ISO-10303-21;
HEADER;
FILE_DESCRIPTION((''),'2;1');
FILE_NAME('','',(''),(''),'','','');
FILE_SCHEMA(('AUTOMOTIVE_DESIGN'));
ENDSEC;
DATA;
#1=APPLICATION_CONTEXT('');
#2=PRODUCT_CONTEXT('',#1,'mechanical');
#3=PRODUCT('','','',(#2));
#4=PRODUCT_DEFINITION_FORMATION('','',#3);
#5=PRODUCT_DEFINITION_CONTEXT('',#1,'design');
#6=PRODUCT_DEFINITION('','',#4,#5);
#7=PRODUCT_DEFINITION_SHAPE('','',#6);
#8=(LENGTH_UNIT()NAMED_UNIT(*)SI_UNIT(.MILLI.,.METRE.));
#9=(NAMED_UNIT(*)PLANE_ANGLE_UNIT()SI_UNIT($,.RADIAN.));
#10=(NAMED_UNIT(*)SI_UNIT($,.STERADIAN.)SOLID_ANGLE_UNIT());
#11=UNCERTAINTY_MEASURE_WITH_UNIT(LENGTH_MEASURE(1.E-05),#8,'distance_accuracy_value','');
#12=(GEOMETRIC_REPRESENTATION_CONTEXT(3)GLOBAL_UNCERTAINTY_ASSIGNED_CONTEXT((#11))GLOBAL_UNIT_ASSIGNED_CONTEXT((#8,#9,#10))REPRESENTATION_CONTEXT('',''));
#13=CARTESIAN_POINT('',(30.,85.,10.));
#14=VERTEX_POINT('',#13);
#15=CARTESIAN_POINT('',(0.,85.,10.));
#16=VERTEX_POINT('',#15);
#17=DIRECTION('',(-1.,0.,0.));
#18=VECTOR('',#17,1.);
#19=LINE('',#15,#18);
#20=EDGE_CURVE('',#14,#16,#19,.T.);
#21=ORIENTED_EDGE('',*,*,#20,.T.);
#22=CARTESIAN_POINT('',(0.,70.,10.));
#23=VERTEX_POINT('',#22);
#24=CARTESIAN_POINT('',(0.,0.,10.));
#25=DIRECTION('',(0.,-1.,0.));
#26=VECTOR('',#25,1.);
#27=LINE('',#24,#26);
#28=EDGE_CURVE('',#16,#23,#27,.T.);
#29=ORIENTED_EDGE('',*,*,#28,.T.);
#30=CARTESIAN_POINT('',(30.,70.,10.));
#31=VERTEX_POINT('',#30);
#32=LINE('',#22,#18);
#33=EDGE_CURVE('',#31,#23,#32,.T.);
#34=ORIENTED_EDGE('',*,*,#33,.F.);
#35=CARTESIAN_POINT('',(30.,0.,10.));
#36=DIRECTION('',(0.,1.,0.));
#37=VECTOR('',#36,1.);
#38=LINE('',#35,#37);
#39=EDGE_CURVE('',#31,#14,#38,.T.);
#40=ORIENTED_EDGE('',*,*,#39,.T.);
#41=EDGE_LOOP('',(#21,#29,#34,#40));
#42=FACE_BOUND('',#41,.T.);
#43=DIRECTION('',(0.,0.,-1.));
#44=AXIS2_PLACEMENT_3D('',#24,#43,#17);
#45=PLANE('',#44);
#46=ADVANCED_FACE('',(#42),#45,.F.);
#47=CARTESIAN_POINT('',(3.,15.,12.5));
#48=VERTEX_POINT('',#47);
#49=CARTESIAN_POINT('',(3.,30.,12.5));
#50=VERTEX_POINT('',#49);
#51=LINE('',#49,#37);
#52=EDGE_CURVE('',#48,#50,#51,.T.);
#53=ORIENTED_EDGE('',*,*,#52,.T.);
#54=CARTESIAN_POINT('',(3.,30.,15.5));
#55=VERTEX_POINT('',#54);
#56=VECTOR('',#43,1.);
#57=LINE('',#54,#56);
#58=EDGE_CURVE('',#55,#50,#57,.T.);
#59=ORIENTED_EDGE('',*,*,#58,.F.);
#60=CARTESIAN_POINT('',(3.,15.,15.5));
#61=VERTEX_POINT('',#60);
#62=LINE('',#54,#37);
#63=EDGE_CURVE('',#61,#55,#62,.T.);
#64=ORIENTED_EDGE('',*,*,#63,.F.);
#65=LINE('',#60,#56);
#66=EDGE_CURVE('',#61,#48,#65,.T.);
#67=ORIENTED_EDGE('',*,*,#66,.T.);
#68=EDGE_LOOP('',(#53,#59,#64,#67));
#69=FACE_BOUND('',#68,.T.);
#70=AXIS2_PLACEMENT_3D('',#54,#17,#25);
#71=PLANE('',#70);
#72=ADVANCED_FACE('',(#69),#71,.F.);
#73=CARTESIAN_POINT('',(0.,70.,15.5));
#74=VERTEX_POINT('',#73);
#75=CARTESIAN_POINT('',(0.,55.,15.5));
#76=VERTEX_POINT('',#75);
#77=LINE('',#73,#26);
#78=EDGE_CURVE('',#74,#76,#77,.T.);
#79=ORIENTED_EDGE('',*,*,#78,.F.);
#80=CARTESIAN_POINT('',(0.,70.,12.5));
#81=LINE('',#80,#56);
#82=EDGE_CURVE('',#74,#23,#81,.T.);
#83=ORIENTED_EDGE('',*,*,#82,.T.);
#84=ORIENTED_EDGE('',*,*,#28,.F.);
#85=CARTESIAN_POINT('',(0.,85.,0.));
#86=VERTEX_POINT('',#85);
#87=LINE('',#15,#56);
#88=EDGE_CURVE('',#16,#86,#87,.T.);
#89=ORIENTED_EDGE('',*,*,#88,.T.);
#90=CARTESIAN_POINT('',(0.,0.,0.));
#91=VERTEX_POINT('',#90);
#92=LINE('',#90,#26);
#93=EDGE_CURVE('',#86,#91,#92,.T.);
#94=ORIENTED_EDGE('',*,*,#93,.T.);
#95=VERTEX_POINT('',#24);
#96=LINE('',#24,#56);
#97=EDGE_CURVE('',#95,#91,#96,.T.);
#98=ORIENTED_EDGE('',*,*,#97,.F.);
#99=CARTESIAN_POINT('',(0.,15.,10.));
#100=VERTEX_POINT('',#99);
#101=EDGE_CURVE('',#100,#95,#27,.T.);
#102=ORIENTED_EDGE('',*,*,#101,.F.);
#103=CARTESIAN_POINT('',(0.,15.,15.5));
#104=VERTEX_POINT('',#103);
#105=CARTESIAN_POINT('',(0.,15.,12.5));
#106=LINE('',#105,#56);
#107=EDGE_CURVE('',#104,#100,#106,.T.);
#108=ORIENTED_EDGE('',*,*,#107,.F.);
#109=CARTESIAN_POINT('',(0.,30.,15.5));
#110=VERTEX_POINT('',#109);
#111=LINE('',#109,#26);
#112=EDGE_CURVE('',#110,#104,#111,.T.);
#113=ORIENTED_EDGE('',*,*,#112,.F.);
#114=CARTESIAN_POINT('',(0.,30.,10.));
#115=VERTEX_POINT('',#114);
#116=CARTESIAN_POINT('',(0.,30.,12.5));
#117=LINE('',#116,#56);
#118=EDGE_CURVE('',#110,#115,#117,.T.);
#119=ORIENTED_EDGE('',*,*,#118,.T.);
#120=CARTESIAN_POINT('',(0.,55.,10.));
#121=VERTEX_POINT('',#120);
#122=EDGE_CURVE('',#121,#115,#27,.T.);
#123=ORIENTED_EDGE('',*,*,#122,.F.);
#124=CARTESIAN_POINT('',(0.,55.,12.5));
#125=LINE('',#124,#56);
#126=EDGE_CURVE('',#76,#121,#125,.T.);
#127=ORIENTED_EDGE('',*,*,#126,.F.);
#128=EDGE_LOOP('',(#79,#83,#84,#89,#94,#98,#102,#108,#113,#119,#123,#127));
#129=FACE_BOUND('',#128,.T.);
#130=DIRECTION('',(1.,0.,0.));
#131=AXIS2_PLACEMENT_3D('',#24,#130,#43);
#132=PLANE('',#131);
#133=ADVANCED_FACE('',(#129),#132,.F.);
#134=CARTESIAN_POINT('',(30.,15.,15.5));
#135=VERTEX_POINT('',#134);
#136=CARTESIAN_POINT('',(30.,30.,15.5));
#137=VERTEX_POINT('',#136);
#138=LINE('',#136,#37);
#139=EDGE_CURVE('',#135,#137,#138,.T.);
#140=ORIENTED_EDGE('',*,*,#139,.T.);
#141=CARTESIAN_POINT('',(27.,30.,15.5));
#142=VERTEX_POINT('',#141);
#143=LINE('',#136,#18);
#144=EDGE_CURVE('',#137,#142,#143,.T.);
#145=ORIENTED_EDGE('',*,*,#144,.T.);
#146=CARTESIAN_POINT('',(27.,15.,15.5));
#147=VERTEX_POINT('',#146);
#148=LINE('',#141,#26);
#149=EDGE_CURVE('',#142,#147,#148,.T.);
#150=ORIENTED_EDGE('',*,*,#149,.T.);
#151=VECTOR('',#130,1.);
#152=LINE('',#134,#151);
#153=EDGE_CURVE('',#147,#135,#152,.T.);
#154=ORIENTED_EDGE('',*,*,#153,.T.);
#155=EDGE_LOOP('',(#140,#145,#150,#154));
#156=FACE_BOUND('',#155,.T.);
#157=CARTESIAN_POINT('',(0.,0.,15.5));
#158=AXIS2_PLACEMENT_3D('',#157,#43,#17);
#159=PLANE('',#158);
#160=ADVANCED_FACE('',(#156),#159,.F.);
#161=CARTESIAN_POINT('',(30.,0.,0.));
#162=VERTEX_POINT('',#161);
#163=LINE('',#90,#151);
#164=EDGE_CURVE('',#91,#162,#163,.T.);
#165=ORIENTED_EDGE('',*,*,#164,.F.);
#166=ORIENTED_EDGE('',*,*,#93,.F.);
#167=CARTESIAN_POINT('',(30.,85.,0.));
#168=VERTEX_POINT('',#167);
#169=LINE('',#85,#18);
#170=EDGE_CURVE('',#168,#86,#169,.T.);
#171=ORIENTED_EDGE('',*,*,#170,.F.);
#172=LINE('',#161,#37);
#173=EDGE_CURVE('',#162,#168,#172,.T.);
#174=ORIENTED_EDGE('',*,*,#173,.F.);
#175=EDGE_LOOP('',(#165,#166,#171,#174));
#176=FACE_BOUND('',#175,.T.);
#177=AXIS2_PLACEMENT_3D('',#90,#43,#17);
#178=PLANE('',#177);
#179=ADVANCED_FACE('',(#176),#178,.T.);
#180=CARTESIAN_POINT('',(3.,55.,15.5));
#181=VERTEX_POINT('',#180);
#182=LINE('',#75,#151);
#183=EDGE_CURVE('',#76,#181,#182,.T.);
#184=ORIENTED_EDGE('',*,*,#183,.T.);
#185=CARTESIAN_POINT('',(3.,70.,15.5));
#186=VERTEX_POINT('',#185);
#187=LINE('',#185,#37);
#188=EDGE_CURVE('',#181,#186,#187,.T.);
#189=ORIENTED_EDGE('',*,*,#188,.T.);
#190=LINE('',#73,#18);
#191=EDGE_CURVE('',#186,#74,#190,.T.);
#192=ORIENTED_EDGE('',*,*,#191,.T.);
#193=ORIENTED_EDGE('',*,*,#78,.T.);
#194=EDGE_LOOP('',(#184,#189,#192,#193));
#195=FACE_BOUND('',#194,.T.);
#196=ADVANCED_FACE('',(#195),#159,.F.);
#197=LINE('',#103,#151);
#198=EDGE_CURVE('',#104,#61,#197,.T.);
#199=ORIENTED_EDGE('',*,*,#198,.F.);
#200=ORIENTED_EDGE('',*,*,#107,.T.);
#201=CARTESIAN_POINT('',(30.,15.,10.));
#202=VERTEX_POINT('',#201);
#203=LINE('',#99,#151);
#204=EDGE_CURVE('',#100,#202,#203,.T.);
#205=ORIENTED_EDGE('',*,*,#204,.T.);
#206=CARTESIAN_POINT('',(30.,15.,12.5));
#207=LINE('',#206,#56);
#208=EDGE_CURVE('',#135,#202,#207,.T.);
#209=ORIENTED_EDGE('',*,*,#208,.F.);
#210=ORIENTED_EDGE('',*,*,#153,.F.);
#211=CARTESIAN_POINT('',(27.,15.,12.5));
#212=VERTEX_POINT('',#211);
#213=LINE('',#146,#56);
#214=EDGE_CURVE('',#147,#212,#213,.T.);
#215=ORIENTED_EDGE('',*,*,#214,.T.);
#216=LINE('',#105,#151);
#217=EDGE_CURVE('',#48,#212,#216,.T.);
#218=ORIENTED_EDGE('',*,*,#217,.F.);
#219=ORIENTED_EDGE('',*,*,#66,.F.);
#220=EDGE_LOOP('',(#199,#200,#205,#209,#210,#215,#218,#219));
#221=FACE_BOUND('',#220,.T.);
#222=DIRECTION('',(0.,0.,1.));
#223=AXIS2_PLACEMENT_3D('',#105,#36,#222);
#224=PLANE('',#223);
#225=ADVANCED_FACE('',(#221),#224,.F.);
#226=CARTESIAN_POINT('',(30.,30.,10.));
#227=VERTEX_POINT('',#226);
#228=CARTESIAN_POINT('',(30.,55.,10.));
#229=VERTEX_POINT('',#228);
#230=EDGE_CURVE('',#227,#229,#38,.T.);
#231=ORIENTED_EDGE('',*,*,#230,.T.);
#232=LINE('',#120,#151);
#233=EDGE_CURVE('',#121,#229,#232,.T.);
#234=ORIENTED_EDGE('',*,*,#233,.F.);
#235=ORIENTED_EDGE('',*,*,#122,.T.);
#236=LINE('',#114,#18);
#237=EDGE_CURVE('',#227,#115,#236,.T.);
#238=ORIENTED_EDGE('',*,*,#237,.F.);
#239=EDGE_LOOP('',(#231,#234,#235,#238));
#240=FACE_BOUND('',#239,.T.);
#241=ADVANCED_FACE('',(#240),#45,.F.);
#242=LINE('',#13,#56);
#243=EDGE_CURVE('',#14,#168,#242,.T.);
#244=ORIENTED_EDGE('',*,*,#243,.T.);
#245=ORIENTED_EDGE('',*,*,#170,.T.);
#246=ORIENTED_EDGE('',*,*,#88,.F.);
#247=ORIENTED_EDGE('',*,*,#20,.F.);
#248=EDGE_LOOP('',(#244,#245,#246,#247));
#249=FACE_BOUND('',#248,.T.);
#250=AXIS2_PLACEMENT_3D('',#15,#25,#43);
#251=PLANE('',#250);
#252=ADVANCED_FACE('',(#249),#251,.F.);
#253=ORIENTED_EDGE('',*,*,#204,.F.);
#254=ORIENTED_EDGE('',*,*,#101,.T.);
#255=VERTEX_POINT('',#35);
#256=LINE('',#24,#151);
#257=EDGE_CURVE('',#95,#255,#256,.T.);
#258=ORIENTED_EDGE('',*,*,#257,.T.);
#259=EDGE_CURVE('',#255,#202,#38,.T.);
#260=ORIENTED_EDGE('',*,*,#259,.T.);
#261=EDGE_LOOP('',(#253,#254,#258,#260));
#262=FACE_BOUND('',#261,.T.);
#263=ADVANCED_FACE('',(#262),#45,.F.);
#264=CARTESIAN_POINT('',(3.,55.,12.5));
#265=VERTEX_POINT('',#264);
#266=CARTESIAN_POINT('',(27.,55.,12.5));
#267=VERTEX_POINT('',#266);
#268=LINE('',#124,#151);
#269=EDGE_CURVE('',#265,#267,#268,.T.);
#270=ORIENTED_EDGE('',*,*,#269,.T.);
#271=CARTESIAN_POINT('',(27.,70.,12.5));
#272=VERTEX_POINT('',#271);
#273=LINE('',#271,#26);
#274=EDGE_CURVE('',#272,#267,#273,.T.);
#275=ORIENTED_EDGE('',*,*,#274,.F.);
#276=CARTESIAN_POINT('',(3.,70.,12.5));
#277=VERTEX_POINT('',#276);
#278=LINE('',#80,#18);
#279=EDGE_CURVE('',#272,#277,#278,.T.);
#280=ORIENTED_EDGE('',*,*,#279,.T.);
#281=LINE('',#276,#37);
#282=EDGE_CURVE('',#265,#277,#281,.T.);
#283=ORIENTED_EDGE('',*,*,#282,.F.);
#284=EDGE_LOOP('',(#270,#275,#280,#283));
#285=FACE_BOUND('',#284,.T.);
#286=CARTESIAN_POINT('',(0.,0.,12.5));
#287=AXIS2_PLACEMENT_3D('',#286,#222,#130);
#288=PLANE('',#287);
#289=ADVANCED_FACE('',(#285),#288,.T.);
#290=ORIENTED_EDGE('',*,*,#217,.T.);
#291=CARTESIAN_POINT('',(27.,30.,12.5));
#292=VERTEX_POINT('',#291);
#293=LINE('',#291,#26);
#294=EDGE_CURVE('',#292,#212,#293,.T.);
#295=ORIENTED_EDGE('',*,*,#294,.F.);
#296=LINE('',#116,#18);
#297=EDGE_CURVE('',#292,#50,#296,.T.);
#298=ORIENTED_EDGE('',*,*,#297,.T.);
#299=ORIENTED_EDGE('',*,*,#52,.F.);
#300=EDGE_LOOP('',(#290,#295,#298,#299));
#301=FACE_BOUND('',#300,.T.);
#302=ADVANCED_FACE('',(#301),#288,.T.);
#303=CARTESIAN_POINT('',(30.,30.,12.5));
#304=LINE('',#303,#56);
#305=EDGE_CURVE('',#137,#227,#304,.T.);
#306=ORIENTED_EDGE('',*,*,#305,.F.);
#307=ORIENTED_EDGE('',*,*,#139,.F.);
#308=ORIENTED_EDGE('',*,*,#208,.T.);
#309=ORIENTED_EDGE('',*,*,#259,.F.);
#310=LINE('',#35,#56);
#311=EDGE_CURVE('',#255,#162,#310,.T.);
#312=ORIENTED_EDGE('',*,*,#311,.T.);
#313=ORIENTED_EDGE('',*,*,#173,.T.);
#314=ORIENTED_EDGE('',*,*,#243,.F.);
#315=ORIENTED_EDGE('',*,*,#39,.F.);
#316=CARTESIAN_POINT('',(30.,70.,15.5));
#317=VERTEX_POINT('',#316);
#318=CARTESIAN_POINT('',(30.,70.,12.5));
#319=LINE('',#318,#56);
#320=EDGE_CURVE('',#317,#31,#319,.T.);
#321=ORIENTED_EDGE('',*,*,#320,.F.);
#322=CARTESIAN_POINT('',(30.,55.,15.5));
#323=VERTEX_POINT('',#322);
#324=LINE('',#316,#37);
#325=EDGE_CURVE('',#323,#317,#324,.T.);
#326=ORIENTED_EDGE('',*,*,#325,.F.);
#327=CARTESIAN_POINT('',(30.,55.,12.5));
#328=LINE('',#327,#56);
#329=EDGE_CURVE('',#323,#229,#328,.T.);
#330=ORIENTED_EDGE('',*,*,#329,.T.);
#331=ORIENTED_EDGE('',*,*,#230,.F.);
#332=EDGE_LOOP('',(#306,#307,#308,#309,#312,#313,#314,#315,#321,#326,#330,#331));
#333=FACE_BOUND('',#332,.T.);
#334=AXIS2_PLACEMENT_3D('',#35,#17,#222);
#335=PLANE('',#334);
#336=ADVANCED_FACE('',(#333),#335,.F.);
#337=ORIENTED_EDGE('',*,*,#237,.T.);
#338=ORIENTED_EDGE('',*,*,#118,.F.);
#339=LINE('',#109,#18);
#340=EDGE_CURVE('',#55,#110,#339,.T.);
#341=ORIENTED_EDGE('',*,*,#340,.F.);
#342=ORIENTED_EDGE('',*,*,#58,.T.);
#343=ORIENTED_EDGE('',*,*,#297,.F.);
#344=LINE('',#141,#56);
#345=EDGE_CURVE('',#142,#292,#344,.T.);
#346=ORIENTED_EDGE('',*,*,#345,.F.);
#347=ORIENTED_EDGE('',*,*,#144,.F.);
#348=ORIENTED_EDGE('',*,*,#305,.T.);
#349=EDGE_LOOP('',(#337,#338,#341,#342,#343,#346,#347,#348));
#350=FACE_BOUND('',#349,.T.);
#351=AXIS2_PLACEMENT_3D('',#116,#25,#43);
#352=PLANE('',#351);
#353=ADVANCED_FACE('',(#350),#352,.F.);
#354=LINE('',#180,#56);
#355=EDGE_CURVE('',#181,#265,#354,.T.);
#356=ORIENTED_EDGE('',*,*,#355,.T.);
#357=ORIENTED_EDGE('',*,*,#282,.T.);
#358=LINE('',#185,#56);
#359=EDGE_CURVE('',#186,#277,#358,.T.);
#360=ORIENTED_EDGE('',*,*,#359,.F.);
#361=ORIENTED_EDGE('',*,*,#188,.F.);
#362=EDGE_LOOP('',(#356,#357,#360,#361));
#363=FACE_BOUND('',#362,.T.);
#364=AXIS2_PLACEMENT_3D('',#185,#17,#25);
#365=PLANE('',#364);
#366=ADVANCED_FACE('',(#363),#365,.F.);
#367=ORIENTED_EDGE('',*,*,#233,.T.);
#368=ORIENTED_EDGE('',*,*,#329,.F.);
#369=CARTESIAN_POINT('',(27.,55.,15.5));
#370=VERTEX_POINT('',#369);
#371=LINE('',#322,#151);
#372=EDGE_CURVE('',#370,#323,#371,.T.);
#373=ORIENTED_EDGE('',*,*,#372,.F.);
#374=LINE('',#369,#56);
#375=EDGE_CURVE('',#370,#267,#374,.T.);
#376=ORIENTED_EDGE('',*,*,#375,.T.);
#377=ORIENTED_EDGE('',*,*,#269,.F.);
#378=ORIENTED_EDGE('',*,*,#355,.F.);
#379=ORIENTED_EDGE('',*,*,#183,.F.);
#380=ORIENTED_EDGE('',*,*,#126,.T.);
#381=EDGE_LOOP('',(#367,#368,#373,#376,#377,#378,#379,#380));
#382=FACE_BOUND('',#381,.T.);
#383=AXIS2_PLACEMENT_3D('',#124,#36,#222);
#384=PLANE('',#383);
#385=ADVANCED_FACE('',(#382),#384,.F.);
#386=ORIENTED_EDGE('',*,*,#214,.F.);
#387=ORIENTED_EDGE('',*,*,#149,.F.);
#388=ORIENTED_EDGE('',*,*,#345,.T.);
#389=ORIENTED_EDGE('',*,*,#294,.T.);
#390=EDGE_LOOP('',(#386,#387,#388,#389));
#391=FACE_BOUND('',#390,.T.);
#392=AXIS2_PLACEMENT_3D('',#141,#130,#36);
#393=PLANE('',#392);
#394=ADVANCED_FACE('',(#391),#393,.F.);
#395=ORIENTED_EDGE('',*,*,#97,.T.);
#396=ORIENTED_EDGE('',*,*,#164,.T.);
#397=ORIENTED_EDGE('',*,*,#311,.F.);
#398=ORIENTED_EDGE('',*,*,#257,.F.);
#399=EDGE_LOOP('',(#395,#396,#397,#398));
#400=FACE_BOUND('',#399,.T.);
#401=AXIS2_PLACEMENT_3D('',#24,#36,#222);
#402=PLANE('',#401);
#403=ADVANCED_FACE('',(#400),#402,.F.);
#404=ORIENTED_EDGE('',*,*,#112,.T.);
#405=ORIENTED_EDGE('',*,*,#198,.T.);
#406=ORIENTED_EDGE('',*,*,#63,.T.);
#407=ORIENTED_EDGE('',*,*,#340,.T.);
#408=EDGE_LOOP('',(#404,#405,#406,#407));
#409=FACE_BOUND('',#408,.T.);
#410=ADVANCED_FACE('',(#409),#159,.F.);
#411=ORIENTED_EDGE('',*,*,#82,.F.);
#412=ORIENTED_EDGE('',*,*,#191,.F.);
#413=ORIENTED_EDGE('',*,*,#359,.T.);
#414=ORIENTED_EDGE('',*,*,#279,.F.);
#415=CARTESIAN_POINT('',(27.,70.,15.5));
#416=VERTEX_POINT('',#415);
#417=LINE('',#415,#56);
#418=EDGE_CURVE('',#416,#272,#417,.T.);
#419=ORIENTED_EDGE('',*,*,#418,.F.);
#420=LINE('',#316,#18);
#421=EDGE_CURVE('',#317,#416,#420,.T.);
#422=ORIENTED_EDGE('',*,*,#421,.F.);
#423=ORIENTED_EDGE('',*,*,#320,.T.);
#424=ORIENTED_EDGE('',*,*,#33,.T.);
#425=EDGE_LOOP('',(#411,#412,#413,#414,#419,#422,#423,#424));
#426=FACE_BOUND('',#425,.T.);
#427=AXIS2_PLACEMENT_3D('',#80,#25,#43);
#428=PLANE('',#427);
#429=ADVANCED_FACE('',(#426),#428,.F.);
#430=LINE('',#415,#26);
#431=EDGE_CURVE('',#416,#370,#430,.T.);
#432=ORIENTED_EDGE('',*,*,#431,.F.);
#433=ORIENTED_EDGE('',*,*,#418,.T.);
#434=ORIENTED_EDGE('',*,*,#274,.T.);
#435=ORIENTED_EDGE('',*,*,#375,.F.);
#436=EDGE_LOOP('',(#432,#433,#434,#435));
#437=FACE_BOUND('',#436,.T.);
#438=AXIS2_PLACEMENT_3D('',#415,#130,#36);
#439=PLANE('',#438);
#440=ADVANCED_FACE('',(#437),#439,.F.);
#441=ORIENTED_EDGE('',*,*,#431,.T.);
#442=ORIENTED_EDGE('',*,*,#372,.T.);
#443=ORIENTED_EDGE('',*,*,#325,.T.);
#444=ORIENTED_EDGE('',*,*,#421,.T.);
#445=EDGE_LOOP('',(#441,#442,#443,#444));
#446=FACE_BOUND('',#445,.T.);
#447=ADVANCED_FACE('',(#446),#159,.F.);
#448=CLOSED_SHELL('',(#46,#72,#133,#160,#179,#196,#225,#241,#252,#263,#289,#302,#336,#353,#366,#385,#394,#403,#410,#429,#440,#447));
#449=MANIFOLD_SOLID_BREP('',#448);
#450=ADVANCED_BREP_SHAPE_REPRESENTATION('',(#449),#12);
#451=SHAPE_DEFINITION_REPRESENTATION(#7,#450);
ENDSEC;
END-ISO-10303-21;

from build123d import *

# Parameters (mm, degrees)
SKETCH1_W           = 30
SKETCH1_H           = 85
BOSS_EXTRUDE1_DEPTH = 10
SKETCH2_W           = 30
SKETCH2_H           = 15
BOSS_EXTRUDE2_DEPTH = 2.5
SKETCH3_W           = 3
SKETCH3_H           = 15
BOSS_EXTRUDE3_DEPTH = 3


with BuildPart() as part:
    # Sketch1 → Boss-Extrude1 (new body)
    with BuildSketch(Plane.XY):
        with Locations((15, 42.5)):
            Rectangle(SKETCH1_W, SKETCH1_H)
    extrude(amount=BOSS_EXTRUDE1_DEPTH)

    # Sketch2 → Boss-Extrude2 (add)
    with BuildSketch(Plane.XY.offset(10)):
        with Locations((15, 62.5)):
            Rectangle(SKETCH2_W, SKETCH2_H)
        with Locations((15, 22.5)):
            Rectangle(SKETCH2_W, SKETCH2_H)
    extrude(amount=BOSS_EXTRUDE2_DEPTH)

    # Sketch3 → Boss-Extrude3 (add)
    with BuildSketch(Plane.XY.offset(12.5)):
        with Locations((28.5, 62.5)):
            Rectangle(SKETCH3_W, SKETCH3_H)
        with Locations((28.5, 22.5)):
            Rectangle(SKETCH3_W, SKETCH3_H)
        with Locations((1.5, 22.5)):
            Rectangle(SKETCH3_W, SKETCH3_H)
        with Locations((1.5, 62.5)):
            Rectangle(SKETCH3_W, SKETCH3_H)
    extrude(amount=BOSS_EXTRUDE3_DEPTH)


solid = part.part
